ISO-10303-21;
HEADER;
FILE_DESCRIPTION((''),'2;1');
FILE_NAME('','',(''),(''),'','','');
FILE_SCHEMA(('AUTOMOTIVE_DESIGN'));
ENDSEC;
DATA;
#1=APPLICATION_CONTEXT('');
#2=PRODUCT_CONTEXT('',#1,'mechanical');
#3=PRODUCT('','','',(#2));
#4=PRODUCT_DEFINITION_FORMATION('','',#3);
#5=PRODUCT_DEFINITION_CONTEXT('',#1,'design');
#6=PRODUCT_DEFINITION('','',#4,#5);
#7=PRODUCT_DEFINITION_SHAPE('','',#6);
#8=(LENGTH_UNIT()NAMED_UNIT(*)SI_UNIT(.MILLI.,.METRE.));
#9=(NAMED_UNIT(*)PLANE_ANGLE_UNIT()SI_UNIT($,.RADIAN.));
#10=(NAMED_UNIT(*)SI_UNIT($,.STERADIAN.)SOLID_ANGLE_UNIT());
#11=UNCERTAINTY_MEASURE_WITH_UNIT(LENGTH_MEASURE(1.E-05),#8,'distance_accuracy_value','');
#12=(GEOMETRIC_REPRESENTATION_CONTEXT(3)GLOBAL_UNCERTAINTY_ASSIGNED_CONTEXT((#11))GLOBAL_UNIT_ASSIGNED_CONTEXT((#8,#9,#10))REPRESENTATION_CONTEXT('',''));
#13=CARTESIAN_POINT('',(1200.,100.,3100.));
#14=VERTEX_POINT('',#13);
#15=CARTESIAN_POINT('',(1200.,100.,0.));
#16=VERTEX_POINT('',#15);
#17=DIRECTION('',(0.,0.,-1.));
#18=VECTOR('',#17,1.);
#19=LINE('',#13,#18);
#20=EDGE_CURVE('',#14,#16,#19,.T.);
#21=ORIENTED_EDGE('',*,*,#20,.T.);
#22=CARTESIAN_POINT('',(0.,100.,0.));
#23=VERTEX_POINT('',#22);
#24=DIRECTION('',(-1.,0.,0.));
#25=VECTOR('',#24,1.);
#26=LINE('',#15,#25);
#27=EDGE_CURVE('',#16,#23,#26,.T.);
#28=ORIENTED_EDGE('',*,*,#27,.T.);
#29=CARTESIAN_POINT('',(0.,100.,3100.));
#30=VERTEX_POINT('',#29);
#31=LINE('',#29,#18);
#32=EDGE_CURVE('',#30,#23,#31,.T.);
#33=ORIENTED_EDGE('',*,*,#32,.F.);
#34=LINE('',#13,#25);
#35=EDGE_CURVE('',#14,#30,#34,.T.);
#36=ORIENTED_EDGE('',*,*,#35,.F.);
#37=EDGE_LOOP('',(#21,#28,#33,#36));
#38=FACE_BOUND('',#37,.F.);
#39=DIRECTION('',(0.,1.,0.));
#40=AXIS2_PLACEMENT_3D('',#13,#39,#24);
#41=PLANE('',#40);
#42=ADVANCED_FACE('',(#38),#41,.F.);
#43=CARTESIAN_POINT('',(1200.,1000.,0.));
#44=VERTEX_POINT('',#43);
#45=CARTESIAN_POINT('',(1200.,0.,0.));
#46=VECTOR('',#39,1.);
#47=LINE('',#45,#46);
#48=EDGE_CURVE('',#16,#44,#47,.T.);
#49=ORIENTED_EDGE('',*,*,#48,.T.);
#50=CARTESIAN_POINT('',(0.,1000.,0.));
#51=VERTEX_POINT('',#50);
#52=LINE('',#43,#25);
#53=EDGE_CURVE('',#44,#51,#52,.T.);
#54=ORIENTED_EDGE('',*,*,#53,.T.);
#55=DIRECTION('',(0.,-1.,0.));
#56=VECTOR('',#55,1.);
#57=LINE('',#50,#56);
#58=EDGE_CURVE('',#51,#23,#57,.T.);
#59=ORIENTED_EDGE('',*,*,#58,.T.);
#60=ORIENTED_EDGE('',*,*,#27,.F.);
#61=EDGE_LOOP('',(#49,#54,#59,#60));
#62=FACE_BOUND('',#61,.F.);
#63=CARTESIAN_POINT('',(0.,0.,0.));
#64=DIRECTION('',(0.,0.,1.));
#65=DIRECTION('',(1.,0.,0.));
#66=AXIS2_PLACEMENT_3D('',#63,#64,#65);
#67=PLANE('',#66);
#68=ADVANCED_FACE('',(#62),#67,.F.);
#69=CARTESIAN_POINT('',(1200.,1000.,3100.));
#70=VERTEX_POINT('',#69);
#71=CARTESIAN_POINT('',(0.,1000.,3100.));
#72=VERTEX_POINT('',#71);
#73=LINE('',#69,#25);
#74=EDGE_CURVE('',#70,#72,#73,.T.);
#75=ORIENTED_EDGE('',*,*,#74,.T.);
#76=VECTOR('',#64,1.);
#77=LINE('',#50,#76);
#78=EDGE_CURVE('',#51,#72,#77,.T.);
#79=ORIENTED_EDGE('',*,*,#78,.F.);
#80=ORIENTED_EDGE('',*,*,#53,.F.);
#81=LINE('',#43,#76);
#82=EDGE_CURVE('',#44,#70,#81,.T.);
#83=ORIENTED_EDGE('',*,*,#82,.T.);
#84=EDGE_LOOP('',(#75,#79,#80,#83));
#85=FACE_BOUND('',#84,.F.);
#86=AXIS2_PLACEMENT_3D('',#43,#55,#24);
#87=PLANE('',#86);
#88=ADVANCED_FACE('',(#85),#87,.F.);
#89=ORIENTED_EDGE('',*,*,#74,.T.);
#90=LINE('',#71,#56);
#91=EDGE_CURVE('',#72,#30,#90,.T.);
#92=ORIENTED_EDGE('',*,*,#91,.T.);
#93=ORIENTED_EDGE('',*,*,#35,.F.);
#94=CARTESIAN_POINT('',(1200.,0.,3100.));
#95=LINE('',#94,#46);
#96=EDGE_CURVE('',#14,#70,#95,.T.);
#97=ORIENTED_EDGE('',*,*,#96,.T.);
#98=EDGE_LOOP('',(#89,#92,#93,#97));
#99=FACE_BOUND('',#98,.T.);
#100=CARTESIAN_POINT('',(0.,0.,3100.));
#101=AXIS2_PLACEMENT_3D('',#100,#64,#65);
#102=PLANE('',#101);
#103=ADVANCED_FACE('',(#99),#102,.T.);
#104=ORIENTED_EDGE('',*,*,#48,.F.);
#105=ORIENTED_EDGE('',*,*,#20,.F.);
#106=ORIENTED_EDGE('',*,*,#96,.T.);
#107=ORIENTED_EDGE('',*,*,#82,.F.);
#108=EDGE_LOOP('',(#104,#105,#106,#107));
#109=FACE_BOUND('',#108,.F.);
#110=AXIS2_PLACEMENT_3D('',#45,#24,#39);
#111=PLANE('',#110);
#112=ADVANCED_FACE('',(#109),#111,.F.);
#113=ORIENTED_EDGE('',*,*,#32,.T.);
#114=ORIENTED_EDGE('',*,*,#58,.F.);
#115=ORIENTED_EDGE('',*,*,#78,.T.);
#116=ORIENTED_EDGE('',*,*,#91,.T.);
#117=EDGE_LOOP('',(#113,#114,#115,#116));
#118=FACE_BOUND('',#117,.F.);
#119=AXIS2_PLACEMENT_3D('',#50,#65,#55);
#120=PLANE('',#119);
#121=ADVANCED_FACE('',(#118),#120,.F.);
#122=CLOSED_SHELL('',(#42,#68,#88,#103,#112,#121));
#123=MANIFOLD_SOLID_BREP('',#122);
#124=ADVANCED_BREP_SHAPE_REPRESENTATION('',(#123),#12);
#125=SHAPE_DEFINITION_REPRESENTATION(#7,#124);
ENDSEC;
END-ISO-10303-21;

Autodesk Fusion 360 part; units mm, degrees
sketch "スケッチ1" plane through (0, 0, 0) normal (0, 1, 0) x (1, 0, 0)
sketch "スケッチ2" plane through (0, 0, 0) normal (0, 0, 1) x (1, 0, 0)
  line L0 (0, 0) -> (-10000, 0)
  line L1 (-10000, 0) -> (-10000, 8100)
  line L2 (-10000, 8100) -> (0, 8100)
  line L3 (0, 8100) -> (0, 0)
  line L4 (10, -10) -> (-10010, -10)
  line L5 (-10010, -10) -> (-10010, 8110)
  line L6 (-10010, 8110) -> (10, 8110)
  line L7 (10, 8110) -> (10, -10)
  point P0 (10, -10)
  dimension "d1" = 10000
  dimension "d2" = 8100
  dimension "d4" = 10020
  dimension "d5" = 8120
sketch "スケッチ3" plane through (0, 0, 0) normal (0, 0, 1) x (1, 0, 0)
sketch "スケッチ4" plane through (0, 0, 0) normal (0, 0, 1) x (1, 0, 0)
  line L0 (0, 0) -> (1200, 0)
  line L1 (1200, 0) -> (1200, 1000)
  line L2 (1200, 1000) -> (0, 1000)
  line L3 (0, 1000) -> (0, 0)
  dimension "d10" = 1200
  dimension "d11" = 1000
extrude "押し出し2" add sketch "スケッチ4" along normal blind 3100
sketch "スケッチ5" plane through (0, 0, 3100) normal (0, 0, 1) x (-1, 0, 0)
  line L0 (0, -1000) -> (0, 0)
  line L1 (0, 0) -> (-1200, 0)
  line L2 (-1200, 0) -> (-1200, -1000)
  line L3 (-1200, -1000) -> (0, -1000)
  line L4 (0, 0) -> (-1200, 0)
  line L5 (-1200, 0) -> (-1200, -100)
  line L6 (-1200, -100) -> (0, -100)
  line L7 (0, -100) -> (0, 0)
extrude "押し出し3" cut sketch "スケッチ5" against normal blind 3100 contours L0 L1 L2 L4 L5 L6 L7
